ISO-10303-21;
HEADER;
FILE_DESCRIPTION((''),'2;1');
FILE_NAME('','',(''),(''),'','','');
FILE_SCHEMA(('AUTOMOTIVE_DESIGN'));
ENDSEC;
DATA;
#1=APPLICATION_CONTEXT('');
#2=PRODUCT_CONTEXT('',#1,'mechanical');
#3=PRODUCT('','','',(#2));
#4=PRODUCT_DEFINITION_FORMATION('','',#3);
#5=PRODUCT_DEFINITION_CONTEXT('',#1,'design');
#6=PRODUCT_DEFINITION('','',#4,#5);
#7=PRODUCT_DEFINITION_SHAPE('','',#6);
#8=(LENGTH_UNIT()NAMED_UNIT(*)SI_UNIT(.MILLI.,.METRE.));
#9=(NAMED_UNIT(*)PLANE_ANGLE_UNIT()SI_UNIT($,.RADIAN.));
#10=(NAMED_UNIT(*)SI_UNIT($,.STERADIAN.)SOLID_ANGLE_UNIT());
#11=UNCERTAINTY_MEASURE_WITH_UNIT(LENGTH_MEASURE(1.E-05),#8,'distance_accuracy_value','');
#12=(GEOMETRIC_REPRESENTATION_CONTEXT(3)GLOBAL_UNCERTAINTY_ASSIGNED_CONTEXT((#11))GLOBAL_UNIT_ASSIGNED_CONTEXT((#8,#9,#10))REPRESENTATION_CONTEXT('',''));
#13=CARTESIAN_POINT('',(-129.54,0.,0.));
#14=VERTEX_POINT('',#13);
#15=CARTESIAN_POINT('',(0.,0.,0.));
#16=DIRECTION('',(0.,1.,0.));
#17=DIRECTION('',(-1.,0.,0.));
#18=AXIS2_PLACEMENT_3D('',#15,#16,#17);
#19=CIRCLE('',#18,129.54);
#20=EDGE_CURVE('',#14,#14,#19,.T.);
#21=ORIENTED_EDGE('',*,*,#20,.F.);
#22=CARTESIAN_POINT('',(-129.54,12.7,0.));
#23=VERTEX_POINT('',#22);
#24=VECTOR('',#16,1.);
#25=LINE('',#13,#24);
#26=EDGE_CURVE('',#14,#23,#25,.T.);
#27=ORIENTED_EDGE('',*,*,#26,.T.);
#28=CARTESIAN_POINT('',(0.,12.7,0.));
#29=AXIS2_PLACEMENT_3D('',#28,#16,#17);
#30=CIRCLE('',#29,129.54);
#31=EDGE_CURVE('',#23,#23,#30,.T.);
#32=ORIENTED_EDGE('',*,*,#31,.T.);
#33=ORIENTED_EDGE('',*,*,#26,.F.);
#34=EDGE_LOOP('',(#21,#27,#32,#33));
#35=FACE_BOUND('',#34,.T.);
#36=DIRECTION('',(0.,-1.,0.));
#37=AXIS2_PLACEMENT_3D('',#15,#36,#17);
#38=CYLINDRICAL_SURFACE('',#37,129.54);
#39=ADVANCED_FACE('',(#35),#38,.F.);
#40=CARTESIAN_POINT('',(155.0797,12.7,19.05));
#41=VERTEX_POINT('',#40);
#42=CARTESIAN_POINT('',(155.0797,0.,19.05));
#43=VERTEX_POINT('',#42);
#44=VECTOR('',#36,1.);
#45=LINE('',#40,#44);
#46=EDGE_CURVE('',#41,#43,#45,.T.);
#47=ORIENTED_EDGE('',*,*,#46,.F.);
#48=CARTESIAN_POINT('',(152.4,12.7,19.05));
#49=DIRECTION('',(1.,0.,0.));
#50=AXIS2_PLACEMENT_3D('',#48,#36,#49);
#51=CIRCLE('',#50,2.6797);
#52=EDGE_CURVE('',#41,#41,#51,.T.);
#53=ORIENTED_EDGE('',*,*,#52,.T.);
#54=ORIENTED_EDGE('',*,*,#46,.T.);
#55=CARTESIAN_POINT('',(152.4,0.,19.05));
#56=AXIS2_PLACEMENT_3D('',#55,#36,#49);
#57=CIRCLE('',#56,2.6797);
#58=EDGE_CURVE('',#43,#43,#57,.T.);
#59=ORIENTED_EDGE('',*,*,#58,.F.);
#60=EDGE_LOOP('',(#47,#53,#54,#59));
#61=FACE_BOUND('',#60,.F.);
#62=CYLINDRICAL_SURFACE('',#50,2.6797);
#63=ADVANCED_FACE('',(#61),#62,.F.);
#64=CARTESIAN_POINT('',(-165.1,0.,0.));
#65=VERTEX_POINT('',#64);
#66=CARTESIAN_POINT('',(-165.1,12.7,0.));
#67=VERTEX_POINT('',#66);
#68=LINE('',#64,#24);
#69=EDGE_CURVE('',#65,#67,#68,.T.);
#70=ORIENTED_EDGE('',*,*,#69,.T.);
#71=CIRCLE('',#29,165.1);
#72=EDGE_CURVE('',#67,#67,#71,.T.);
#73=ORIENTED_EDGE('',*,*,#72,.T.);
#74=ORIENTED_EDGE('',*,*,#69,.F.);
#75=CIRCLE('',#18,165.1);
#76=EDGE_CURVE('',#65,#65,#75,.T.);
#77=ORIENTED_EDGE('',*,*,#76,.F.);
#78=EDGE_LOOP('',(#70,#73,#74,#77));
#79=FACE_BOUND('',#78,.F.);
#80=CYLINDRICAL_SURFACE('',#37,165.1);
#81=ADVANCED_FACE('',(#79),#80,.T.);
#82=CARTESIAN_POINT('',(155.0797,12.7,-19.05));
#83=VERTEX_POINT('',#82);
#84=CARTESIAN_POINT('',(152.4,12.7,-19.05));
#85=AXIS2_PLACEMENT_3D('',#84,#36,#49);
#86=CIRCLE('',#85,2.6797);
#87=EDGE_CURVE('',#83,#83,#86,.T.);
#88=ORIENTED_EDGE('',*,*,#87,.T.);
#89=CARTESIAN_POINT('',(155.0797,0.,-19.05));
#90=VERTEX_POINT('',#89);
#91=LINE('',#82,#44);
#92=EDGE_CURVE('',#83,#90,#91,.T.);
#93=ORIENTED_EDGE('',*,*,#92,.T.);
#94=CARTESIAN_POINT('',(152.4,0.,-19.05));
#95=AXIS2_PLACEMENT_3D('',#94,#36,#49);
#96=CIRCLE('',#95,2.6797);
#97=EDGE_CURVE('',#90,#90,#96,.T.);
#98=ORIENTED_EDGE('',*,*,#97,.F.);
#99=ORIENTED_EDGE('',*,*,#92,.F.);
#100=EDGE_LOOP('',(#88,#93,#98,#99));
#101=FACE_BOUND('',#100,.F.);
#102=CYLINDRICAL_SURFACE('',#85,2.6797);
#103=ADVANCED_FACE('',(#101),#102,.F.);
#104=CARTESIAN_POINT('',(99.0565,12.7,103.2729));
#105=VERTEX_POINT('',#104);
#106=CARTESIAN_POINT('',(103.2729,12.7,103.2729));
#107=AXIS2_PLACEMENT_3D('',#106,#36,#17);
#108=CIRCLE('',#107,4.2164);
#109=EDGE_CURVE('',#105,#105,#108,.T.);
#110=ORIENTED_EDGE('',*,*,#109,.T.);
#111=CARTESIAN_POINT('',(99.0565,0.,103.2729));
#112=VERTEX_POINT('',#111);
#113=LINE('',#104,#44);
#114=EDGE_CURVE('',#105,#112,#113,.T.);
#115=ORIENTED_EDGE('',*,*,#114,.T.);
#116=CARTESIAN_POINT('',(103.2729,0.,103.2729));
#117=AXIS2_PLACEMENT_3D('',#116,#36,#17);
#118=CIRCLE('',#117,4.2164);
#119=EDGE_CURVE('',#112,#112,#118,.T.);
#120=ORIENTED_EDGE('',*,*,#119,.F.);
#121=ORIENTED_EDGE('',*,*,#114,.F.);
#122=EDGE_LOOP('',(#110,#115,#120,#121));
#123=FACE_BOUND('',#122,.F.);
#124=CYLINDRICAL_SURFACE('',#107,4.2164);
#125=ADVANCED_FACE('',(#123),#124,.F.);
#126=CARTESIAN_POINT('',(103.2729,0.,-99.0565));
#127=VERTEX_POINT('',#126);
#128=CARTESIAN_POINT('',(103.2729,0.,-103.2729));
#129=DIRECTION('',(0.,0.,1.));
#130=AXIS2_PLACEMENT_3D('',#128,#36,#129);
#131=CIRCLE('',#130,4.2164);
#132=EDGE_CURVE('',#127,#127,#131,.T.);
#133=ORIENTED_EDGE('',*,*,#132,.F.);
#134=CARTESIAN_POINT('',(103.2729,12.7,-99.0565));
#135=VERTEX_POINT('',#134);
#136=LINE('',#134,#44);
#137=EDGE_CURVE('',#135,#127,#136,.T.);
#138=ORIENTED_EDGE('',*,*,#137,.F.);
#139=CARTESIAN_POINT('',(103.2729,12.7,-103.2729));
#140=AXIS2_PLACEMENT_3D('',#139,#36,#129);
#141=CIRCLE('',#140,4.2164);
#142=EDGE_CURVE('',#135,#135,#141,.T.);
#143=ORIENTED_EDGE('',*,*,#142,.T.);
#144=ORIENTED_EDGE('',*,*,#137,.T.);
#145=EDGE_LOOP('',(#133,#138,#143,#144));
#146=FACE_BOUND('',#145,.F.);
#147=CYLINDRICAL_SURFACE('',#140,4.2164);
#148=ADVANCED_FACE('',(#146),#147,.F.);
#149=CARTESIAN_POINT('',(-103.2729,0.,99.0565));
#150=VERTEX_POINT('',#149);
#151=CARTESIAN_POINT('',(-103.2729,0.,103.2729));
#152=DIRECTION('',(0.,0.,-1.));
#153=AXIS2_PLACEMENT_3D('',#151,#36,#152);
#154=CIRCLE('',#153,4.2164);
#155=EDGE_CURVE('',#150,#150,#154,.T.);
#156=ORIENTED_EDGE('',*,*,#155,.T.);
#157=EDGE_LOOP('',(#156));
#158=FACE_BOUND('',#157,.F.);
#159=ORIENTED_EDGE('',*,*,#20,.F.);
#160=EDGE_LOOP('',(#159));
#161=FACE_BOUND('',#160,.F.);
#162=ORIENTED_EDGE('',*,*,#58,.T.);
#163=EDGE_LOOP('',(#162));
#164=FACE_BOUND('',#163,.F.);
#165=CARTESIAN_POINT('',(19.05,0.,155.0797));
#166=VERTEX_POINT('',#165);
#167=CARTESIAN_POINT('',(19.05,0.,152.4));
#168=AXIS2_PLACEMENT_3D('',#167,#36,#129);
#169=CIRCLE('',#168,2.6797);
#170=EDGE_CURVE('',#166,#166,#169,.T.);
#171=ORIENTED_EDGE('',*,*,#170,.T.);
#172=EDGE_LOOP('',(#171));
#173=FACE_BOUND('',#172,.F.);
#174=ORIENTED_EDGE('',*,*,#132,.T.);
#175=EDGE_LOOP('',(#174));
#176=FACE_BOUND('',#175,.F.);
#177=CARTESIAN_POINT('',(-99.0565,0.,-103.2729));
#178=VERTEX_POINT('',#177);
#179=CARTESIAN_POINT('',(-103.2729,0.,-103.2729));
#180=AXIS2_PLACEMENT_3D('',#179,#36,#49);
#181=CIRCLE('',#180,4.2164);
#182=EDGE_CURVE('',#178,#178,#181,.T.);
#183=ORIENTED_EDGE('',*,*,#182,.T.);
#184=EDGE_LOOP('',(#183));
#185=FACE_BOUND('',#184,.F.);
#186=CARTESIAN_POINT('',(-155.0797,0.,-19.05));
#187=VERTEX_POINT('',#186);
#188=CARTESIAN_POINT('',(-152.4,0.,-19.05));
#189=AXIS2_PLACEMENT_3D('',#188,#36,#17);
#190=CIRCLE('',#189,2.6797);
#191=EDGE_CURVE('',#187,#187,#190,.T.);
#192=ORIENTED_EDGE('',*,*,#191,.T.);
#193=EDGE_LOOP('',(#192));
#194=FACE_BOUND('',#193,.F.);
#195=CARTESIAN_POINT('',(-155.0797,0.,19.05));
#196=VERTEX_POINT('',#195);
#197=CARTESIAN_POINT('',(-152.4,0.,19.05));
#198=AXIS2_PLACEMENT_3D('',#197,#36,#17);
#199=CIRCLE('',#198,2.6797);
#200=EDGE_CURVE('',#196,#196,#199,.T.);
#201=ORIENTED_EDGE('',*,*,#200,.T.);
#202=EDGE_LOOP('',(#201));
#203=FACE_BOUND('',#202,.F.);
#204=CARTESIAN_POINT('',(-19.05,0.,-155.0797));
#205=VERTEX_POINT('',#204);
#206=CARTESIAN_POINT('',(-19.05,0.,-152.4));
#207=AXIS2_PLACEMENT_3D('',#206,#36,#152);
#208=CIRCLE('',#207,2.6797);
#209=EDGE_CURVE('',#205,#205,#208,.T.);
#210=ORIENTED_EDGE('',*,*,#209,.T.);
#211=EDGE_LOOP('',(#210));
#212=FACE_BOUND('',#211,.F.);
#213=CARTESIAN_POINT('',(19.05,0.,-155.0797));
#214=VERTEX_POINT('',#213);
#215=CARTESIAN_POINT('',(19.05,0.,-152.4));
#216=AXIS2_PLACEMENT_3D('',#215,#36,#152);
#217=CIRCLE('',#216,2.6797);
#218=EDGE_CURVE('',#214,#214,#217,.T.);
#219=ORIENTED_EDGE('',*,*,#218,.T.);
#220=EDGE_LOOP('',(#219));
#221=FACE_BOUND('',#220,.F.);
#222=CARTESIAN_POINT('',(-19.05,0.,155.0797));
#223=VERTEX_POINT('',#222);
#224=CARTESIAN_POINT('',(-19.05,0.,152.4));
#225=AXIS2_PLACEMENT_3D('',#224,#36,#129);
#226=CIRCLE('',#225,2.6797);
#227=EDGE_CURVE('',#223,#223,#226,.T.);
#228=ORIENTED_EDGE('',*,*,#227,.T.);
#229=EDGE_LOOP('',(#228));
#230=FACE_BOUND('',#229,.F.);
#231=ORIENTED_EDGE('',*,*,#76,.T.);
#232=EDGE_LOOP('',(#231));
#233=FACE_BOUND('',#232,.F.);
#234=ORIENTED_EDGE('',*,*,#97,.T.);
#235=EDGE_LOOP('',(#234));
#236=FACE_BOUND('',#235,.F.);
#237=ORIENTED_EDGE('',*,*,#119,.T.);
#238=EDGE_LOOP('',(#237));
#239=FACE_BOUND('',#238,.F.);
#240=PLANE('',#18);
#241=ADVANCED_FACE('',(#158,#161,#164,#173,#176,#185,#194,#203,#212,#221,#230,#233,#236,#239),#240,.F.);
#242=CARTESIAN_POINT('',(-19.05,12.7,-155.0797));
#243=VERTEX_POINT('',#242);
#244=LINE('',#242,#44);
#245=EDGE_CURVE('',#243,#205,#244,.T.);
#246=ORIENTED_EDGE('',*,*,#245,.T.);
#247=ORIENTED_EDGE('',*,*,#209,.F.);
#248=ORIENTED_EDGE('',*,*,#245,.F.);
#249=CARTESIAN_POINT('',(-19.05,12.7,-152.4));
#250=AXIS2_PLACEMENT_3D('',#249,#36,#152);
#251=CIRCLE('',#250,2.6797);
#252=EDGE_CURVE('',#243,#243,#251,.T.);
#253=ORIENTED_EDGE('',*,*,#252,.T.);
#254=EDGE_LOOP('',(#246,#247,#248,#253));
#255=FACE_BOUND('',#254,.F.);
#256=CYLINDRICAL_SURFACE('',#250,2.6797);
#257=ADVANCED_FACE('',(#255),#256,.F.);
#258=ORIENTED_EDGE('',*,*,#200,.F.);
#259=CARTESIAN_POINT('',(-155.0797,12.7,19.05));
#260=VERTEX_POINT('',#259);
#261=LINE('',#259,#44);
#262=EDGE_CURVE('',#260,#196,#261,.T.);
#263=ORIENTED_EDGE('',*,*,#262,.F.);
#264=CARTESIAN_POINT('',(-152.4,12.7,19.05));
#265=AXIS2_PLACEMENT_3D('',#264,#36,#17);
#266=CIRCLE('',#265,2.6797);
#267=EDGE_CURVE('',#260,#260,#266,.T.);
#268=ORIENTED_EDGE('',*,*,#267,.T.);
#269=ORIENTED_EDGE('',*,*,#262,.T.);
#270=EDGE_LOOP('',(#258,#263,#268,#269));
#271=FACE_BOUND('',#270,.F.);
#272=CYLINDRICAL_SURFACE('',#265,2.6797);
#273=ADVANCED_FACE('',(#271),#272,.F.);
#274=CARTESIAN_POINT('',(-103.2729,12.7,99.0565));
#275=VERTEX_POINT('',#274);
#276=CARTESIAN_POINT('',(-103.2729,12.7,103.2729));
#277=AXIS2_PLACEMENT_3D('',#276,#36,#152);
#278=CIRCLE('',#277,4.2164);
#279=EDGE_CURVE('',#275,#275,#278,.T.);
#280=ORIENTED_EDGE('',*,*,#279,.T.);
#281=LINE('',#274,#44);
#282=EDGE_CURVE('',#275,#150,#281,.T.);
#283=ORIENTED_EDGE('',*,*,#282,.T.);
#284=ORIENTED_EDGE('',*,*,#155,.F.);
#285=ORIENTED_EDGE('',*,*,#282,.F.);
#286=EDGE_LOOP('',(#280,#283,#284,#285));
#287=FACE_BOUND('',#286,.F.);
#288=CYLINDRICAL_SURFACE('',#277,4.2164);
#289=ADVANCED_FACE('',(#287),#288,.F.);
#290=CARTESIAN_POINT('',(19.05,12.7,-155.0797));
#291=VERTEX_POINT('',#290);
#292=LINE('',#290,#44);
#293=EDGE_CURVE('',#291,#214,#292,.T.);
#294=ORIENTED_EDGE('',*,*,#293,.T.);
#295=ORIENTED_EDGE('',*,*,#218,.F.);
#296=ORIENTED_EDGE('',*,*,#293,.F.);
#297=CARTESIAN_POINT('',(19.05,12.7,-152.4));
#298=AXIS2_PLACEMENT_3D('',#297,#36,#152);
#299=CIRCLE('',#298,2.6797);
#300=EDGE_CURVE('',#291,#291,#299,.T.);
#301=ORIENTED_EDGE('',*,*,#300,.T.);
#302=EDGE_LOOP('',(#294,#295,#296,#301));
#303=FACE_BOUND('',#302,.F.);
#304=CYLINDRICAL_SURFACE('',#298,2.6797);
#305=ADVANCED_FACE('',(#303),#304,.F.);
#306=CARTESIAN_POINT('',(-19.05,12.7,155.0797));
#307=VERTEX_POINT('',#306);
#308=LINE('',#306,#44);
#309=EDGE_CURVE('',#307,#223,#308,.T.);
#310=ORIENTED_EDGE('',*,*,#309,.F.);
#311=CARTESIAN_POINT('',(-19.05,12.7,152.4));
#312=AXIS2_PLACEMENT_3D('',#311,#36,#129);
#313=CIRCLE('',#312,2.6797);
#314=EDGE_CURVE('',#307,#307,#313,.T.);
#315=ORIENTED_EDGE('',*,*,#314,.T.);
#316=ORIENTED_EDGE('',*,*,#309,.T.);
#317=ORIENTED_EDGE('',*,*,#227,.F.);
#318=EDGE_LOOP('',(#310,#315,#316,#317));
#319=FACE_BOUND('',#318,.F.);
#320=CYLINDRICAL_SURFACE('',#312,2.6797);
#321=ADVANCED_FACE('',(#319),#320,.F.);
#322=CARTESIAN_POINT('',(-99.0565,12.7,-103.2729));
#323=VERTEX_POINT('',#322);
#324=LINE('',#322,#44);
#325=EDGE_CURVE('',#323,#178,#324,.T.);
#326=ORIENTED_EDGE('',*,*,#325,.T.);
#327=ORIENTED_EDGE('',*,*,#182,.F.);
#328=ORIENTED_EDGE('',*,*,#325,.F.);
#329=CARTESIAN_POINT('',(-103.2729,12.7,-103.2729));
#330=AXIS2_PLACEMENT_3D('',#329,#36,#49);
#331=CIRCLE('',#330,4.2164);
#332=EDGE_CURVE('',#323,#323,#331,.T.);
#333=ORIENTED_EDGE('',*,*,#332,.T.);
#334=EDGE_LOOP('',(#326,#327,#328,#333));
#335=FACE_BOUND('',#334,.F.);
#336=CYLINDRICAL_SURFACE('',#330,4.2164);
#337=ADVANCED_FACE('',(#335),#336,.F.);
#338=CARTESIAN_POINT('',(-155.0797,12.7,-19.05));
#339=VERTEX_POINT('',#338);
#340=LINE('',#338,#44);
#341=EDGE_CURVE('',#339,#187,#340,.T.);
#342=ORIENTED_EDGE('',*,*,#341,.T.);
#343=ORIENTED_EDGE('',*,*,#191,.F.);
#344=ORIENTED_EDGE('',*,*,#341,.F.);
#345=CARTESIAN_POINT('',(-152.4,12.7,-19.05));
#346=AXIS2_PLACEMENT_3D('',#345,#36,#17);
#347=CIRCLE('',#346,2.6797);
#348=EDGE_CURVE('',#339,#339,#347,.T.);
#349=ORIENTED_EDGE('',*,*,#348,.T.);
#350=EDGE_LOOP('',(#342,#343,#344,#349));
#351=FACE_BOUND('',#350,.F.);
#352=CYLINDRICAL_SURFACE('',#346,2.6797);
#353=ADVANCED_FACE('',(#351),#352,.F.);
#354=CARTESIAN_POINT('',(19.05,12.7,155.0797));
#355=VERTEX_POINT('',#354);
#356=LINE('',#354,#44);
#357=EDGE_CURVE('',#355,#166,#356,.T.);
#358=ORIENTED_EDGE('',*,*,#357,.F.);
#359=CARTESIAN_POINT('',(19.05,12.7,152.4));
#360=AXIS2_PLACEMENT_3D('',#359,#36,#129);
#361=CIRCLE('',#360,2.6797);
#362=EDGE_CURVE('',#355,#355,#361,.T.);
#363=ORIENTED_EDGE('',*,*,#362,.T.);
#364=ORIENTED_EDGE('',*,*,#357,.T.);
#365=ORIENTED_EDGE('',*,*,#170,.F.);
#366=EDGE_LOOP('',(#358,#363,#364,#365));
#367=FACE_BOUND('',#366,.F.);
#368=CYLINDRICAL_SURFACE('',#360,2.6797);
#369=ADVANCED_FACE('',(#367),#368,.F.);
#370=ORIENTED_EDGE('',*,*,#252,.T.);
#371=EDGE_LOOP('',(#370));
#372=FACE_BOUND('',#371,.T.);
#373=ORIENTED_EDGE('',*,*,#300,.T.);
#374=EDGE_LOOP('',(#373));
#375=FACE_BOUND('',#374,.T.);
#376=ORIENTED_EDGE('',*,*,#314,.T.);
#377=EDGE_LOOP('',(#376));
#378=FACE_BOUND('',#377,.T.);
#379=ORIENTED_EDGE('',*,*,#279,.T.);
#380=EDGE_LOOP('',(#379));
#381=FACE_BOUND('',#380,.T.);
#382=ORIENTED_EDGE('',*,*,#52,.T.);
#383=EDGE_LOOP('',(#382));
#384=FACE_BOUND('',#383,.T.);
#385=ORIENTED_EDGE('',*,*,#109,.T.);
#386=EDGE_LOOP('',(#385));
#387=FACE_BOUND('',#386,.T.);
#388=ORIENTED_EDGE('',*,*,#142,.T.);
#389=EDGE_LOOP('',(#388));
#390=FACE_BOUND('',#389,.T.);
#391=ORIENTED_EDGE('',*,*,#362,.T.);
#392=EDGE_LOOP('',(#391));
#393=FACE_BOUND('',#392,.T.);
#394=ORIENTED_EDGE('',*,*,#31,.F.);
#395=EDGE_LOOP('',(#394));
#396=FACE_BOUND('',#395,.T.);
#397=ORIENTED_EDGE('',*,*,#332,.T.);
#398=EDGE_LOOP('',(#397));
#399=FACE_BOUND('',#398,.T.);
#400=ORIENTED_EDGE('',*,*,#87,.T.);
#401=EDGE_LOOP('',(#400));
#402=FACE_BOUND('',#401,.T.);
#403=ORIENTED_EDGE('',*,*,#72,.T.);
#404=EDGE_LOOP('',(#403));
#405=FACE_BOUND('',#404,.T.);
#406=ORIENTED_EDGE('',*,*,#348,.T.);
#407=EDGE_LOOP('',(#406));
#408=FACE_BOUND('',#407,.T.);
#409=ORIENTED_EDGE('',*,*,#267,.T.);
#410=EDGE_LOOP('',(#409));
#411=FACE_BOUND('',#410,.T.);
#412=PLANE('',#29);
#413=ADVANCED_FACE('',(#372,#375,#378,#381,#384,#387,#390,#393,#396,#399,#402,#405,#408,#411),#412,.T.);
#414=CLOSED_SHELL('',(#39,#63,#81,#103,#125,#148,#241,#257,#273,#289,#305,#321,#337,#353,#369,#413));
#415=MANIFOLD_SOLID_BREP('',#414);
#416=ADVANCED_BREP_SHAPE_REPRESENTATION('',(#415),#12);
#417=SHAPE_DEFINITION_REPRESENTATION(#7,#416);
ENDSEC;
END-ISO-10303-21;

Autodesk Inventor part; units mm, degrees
ref_plane "YZ Plane" through (0, 0, 0) normal (1, 0, 0) x (0, 1, 0)
ref_plane "XZ Plane" through (0, 0, 0) normal (0, 1, 0) x (-1, 0, 0)
ref_plane "XY Plane" through (0, 0, 0) normal (0, 0, 1) x (1, 0, 0)
sketch "Sketch1" plane through (0, 0, 0) normal (0, 1, 0) x (-1, 0, 0)
  circle A0 centre (0, 0) radius 165.1
  circle A1 centre (0, 0) radius 129.54
  dimension "d0" = 330.2
  dimension "d1" = 259.08
extrude "Extrusion1" add sketch "Sketch1" along normal blind 12.7
sketch "Sketch2" plane through (0, 12.7, 0) normal (0, 1, 0) x (1, 0, 0)
  circle A0 centre (19.05, -152.4) radius 4.7802
  line L0 (0, 0) -> (0, -55.3703) construction
  circle A1 centre (-19.05, -152.4) radius 4.7802
  dimension "d6" = 152.4
  dimension "d7" = 19.05
hole "Hole1" at (19.05, 12.7, 152.4) at (-19.05, 12.7, 152.4) direction (0, -1, 0) diameter 5.3594 end through all thread size "1/4-28 UNF" class "2B" standard "ANSI Unified Screw Threads"
pattern_circular "Circular Pattern1" count 4 over 360 about axis through (0, -10, 0) along (0, 1, 0) of "Hole1"
sketch "Sketch3" plane through (0, 12.7, 0) normal (0, 1, 0) x (1, 0, 0)
  line L0 (0, 0) -> (103.2729, 103.2729) construction
  line L1 (0, 0) -> (146.05, 0) construction
  circle A0 centre (103.2729, 103.2729) radius 4.2786
  dimension "d18" = 146.05
  dimension "d19" = 45
hole "Hole2" at (103.2729, 12.7, -103.2729) direction (0, -1, 0) diameter 8.4328 end through all clearance for "Flat Head Machine Screw (82)" size "5/16" standard "Ansi Unified Screw Threads"
pattern_circular "Circular Pattern2" count 4 over 360 about axis through (0, 0, 0) along (0, 1, 0) of "Hole2"
properties part number "fixedRing"
